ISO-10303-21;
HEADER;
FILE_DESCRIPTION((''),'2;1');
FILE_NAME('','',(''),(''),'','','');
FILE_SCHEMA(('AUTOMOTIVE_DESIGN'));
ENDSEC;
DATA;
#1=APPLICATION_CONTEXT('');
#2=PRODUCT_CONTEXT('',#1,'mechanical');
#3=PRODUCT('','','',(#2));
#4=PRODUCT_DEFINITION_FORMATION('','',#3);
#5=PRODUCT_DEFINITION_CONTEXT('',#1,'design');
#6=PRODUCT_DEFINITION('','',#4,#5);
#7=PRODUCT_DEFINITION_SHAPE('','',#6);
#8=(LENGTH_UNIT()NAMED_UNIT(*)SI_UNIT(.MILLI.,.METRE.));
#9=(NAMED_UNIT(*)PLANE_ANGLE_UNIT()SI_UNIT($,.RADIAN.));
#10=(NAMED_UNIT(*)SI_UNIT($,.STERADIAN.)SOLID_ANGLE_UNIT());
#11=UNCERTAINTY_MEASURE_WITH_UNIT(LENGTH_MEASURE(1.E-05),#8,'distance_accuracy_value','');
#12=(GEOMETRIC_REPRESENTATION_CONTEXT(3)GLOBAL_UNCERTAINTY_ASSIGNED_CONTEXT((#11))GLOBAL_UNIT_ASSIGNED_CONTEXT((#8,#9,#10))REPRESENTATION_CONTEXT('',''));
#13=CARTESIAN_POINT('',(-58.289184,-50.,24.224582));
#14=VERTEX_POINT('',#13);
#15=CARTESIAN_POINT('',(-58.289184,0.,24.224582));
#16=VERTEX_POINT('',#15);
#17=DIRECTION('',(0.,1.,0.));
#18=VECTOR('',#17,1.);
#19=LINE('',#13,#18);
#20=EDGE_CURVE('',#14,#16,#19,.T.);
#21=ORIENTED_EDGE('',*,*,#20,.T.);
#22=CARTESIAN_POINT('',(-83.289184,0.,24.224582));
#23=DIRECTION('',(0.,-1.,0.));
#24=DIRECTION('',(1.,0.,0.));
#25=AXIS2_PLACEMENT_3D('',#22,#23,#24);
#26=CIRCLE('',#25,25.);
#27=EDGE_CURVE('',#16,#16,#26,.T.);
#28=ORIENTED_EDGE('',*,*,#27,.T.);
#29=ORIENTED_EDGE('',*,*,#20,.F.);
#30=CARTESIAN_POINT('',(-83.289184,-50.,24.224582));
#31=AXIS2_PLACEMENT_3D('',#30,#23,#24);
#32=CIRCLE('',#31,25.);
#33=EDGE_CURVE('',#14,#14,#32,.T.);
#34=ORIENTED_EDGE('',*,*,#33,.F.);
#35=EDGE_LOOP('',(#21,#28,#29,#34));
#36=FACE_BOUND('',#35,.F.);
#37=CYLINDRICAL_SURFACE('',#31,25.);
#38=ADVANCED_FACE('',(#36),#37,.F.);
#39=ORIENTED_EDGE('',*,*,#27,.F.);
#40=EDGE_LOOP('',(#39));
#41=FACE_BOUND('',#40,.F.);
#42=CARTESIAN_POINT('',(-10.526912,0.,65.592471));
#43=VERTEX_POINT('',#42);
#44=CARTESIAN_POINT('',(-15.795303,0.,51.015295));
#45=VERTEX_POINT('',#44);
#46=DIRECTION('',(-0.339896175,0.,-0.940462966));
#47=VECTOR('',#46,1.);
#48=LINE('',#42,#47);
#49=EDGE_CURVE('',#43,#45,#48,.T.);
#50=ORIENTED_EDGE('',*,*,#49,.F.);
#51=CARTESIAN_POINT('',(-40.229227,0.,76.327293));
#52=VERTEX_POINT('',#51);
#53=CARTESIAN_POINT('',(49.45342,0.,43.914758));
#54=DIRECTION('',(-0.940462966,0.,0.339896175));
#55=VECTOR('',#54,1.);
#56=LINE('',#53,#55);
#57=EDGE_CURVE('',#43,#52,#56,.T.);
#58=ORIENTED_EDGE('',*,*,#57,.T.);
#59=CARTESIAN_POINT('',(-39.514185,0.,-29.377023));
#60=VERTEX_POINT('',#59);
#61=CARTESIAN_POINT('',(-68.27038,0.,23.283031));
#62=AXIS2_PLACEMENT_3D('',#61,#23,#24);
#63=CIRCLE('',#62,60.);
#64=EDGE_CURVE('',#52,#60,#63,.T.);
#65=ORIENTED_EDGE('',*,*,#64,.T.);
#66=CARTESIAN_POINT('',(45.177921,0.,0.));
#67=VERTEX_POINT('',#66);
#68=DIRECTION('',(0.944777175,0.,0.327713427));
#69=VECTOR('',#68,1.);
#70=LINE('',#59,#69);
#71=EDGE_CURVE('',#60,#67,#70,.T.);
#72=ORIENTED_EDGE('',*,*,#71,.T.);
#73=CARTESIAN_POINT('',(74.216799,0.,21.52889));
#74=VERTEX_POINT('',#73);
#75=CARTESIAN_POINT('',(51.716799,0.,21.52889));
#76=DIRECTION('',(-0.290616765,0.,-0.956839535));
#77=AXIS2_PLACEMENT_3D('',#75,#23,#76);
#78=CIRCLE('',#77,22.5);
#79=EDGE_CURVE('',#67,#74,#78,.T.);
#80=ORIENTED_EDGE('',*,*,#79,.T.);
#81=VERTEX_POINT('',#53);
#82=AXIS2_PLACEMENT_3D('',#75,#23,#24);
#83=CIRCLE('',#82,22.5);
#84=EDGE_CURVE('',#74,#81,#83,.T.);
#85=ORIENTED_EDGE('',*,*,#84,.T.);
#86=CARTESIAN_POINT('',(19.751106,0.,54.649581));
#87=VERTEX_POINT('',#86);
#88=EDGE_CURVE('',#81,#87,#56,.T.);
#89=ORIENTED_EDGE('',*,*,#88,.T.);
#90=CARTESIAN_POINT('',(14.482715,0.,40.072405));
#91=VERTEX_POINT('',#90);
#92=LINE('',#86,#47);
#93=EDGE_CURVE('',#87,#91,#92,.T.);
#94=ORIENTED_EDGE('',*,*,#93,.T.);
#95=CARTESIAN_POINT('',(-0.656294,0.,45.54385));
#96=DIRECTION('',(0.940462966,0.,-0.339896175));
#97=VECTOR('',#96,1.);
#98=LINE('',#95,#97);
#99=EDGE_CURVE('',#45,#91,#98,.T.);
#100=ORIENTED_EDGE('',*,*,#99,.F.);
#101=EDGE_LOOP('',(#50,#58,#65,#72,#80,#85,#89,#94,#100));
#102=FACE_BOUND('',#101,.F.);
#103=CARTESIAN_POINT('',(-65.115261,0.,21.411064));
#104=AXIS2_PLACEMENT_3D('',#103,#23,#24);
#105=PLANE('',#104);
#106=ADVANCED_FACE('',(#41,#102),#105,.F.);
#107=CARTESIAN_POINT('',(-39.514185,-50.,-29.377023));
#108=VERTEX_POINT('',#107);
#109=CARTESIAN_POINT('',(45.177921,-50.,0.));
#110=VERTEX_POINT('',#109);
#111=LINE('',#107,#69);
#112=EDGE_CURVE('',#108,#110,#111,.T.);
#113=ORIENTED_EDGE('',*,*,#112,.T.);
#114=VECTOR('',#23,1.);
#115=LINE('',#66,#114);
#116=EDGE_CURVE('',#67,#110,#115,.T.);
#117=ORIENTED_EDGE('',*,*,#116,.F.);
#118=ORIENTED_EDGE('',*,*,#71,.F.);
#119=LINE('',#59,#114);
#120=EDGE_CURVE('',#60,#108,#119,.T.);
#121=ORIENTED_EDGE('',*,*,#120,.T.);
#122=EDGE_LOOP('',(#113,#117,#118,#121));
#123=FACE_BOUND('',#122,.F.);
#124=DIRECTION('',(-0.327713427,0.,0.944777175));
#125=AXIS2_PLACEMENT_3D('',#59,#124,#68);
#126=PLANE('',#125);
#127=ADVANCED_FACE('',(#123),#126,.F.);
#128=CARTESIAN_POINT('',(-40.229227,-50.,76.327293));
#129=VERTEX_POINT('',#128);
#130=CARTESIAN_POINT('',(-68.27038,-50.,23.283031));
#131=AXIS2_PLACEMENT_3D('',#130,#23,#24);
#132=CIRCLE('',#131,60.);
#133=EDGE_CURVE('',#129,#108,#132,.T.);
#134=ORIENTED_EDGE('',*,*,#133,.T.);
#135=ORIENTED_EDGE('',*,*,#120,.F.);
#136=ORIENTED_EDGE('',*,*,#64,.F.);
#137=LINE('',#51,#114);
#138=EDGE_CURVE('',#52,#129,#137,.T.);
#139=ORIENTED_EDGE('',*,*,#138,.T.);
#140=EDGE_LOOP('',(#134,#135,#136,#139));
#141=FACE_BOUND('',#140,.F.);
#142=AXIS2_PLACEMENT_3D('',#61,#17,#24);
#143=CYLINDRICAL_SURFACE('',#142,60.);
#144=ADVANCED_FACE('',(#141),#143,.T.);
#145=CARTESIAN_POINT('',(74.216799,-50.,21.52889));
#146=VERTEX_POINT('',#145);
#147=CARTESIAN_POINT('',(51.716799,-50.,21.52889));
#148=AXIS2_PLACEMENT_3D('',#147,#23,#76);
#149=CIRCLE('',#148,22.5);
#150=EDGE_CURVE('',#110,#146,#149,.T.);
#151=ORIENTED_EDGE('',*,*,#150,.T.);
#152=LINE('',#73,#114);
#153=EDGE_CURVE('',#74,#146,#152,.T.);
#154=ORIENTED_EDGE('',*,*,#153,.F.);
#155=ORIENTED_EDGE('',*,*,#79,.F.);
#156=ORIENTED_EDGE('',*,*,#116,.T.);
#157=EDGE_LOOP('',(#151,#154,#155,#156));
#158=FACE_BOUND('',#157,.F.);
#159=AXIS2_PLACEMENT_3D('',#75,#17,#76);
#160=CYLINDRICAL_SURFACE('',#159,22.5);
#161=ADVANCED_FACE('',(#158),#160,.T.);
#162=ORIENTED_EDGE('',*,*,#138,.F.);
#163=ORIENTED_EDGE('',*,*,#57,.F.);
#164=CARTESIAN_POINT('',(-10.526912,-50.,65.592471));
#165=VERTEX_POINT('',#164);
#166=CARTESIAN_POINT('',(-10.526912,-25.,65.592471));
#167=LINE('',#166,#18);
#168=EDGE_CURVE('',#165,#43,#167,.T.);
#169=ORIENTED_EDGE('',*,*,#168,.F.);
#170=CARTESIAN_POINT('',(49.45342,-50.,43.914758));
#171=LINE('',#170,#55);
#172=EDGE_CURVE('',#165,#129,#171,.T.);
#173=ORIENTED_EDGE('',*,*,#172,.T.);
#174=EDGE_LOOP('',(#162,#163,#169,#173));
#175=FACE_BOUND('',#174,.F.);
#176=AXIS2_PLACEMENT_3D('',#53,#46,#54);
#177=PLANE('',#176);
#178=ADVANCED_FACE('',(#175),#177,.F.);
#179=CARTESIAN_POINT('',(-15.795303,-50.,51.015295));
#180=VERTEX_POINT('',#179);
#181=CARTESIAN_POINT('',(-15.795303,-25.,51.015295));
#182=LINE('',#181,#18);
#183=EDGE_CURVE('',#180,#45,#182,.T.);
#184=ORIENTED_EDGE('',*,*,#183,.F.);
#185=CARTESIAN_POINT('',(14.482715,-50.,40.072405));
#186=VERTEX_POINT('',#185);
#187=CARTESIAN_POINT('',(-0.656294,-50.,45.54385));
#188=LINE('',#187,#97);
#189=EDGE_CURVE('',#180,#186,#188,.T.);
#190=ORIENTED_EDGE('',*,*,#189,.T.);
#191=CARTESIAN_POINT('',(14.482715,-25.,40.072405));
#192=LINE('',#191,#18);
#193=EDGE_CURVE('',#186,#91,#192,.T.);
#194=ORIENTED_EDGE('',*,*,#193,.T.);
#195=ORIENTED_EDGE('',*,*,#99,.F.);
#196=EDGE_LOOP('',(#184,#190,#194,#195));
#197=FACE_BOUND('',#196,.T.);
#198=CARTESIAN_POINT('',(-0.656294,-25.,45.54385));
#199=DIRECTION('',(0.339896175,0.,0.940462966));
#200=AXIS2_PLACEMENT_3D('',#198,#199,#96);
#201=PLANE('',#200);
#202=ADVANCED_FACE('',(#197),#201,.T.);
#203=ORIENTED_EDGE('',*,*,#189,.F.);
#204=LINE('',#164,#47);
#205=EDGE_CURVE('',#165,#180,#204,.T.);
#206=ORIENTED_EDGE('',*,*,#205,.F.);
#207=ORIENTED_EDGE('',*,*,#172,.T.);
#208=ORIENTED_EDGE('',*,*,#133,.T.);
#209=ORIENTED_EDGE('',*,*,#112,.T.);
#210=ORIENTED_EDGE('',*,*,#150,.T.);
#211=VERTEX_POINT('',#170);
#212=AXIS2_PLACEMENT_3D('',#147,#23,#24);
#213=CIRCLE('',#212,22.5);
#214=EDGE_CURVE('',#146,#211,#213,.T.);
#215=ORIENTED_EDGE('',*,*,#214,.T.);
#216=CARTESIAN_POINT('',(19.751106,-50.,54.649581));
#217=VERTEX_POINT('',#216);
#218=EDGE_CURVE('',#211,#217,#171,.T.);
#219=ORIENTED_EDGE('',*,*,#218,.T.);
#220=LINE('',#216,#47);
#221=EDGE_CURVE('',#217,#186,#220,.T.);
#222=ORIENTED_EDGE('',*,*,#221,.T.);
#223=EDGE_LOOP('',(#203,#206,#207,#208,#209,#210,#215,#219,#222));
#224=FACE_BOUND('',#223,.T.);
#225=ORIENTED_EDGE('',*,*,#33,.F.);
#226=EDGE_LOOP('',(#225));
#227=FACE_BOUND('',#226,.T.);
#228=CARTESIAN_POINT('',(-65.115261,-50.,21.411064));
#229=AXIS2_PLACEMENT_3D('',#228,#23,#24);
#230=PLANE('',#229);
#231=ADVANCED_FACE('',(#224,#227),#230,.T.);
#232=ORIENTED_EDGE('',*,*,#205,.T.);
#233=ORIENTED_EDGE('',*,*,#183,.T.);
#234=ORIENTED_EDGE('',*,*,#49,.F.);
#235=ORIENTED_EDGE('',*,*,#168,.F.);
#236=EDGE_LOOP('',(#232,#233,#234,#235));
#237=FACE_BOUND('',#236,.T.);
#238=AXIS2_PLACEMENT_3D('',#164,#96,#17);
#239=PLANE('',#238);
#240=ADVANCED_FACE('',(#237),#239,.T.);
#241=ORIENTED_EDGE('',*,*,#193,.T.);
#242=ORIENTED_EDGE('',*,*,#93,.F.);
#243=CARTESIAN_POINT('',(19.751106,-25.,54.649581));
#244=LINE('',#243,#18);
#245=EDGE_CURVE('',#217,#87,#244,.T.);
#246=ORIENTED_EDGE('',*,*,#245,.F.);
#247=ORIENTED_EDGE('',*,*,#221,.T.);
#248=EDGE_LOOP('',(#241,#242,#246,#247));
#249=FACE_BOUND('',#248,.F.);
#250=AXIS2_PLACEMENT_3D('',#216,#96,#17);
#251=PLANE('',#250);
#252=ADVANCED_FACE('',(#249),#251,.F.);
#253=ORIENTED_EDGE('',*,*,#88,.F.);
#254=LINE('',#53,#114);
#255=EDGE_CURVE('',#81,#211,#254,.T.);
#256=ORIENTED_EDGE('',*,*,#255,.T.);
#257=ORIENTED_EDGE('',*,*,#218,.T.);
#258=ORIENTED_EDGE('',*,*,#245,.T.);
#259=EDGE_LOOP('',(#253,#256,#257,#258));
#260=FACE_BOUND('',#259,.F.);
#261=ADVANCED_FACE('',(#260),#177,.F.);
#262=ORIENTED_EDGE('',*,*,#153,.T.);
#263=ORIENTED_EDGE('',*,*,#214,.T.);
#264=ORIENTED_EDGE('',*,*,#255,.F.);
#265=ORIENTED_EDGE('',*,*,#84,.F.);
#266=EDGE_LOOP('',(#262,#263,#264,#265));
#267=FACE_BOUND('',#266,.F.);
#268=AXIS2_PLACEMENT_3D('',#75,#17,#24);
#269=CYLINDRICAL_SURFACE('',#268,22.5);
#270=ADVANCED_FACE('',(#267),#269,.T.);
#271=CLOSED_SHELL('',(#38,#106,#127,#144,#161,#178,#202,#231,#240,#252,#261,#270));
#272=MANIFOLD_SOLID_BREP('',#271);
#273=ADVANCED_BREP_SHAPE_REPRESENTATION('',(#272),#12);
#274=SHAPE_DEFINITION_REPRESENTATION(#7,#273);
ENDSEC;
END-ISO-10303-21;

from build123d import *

# Parameters (mm, degrees)
F1_DEPTH = 50
F2_W     = 32.1948009557
F2_H     = 50
F3_DEPTH = 15.5
F4_R     = 25
F5_DEPTH = 50.001


with BuildPart() as f1:
    # F0 (on Front) → F1 (new body)
    with BuildSketch(Plane.XZ):
        with BuildLine():
            ThreePointArc((-39.5141846856, -29.3770225464), (-16.6691602535, -7.3325556277), (-8.2703797283, 23.2830310679))
            ThreePointArc((-8.2703797283, 23.2830310679), (-16.8774367266, 54.2469683115), (-40.2292267158, 76.3272931302))
            ThreePointArc((-40.2292267158, 76.3272931302), (-128.2690070017, 22.8771674096), (-39.5141846856, -29.3770225464))
        make_face()
        with BuildLine():
            ThreePointArc((-40.2292267158, 76.3272931302), (-16.8774367266, 54.2469683115), (-8.2703797283, 23.2830310679))
            ThreePointArc((-8.2703797283, 23.2830310679), (-16.6691602535, -7.3325556277), (-39.5141846856, -29.3770225464))
            Line((-39.5141846856, -29.3770225464), (45.1779214949, 0))
            ThreePointArc((45.1779214949, 0), (29.3226828607, 23.709159184), (49.4534202451, 43.9147582526))
            Line((49.4534202451, 43.9147582526), (-40.2292267158, 76.3272931302))
        make_face()
        with BuildLine():
            ThreePointArc((74.2167987014, 21.5288895412), (66.8052708694, 38.2198454046), (49.4534202451, 43.9147582526))
            ThreePointArc((49.4534202451, 43.9147582526), (29.3226828607, 23.709159184), (45.1779214949, 0))
            ThreePointArc((45.1779214949, 0), (65.1168968886, 3.454394567), (74.2167987014, 21.5288895412))
        make_face()
    extrude(amount=F1_DEPTH)

    # F2 (on face) → F3 (cut)
    with BuildSketch(Plane(origin=(19.7511057602, 0, 54.6495808388), x_dir=(0.9404629658, 0, -0.3398961752), z_dir=(0.3398961752, 0, 0.9404629658))):
        with Locations((-16.0974004779, -25)):
            Rectangle(F2_W, F2_H)
    extrude(amount=-F3_DEPTH, mode=Mode.SUBTRACT)

    # F4 (on face) → F5 (cut, through all)
    with BuildSketch(Plane.XZ.offset(50)):
        with Locations((-83.2891840334, 24.2245818774)):
            Circle(F4_R)
    extrude(amount=-F5_DEPTH, mode=Mode.SUBTRACT)


solid = f1.part
